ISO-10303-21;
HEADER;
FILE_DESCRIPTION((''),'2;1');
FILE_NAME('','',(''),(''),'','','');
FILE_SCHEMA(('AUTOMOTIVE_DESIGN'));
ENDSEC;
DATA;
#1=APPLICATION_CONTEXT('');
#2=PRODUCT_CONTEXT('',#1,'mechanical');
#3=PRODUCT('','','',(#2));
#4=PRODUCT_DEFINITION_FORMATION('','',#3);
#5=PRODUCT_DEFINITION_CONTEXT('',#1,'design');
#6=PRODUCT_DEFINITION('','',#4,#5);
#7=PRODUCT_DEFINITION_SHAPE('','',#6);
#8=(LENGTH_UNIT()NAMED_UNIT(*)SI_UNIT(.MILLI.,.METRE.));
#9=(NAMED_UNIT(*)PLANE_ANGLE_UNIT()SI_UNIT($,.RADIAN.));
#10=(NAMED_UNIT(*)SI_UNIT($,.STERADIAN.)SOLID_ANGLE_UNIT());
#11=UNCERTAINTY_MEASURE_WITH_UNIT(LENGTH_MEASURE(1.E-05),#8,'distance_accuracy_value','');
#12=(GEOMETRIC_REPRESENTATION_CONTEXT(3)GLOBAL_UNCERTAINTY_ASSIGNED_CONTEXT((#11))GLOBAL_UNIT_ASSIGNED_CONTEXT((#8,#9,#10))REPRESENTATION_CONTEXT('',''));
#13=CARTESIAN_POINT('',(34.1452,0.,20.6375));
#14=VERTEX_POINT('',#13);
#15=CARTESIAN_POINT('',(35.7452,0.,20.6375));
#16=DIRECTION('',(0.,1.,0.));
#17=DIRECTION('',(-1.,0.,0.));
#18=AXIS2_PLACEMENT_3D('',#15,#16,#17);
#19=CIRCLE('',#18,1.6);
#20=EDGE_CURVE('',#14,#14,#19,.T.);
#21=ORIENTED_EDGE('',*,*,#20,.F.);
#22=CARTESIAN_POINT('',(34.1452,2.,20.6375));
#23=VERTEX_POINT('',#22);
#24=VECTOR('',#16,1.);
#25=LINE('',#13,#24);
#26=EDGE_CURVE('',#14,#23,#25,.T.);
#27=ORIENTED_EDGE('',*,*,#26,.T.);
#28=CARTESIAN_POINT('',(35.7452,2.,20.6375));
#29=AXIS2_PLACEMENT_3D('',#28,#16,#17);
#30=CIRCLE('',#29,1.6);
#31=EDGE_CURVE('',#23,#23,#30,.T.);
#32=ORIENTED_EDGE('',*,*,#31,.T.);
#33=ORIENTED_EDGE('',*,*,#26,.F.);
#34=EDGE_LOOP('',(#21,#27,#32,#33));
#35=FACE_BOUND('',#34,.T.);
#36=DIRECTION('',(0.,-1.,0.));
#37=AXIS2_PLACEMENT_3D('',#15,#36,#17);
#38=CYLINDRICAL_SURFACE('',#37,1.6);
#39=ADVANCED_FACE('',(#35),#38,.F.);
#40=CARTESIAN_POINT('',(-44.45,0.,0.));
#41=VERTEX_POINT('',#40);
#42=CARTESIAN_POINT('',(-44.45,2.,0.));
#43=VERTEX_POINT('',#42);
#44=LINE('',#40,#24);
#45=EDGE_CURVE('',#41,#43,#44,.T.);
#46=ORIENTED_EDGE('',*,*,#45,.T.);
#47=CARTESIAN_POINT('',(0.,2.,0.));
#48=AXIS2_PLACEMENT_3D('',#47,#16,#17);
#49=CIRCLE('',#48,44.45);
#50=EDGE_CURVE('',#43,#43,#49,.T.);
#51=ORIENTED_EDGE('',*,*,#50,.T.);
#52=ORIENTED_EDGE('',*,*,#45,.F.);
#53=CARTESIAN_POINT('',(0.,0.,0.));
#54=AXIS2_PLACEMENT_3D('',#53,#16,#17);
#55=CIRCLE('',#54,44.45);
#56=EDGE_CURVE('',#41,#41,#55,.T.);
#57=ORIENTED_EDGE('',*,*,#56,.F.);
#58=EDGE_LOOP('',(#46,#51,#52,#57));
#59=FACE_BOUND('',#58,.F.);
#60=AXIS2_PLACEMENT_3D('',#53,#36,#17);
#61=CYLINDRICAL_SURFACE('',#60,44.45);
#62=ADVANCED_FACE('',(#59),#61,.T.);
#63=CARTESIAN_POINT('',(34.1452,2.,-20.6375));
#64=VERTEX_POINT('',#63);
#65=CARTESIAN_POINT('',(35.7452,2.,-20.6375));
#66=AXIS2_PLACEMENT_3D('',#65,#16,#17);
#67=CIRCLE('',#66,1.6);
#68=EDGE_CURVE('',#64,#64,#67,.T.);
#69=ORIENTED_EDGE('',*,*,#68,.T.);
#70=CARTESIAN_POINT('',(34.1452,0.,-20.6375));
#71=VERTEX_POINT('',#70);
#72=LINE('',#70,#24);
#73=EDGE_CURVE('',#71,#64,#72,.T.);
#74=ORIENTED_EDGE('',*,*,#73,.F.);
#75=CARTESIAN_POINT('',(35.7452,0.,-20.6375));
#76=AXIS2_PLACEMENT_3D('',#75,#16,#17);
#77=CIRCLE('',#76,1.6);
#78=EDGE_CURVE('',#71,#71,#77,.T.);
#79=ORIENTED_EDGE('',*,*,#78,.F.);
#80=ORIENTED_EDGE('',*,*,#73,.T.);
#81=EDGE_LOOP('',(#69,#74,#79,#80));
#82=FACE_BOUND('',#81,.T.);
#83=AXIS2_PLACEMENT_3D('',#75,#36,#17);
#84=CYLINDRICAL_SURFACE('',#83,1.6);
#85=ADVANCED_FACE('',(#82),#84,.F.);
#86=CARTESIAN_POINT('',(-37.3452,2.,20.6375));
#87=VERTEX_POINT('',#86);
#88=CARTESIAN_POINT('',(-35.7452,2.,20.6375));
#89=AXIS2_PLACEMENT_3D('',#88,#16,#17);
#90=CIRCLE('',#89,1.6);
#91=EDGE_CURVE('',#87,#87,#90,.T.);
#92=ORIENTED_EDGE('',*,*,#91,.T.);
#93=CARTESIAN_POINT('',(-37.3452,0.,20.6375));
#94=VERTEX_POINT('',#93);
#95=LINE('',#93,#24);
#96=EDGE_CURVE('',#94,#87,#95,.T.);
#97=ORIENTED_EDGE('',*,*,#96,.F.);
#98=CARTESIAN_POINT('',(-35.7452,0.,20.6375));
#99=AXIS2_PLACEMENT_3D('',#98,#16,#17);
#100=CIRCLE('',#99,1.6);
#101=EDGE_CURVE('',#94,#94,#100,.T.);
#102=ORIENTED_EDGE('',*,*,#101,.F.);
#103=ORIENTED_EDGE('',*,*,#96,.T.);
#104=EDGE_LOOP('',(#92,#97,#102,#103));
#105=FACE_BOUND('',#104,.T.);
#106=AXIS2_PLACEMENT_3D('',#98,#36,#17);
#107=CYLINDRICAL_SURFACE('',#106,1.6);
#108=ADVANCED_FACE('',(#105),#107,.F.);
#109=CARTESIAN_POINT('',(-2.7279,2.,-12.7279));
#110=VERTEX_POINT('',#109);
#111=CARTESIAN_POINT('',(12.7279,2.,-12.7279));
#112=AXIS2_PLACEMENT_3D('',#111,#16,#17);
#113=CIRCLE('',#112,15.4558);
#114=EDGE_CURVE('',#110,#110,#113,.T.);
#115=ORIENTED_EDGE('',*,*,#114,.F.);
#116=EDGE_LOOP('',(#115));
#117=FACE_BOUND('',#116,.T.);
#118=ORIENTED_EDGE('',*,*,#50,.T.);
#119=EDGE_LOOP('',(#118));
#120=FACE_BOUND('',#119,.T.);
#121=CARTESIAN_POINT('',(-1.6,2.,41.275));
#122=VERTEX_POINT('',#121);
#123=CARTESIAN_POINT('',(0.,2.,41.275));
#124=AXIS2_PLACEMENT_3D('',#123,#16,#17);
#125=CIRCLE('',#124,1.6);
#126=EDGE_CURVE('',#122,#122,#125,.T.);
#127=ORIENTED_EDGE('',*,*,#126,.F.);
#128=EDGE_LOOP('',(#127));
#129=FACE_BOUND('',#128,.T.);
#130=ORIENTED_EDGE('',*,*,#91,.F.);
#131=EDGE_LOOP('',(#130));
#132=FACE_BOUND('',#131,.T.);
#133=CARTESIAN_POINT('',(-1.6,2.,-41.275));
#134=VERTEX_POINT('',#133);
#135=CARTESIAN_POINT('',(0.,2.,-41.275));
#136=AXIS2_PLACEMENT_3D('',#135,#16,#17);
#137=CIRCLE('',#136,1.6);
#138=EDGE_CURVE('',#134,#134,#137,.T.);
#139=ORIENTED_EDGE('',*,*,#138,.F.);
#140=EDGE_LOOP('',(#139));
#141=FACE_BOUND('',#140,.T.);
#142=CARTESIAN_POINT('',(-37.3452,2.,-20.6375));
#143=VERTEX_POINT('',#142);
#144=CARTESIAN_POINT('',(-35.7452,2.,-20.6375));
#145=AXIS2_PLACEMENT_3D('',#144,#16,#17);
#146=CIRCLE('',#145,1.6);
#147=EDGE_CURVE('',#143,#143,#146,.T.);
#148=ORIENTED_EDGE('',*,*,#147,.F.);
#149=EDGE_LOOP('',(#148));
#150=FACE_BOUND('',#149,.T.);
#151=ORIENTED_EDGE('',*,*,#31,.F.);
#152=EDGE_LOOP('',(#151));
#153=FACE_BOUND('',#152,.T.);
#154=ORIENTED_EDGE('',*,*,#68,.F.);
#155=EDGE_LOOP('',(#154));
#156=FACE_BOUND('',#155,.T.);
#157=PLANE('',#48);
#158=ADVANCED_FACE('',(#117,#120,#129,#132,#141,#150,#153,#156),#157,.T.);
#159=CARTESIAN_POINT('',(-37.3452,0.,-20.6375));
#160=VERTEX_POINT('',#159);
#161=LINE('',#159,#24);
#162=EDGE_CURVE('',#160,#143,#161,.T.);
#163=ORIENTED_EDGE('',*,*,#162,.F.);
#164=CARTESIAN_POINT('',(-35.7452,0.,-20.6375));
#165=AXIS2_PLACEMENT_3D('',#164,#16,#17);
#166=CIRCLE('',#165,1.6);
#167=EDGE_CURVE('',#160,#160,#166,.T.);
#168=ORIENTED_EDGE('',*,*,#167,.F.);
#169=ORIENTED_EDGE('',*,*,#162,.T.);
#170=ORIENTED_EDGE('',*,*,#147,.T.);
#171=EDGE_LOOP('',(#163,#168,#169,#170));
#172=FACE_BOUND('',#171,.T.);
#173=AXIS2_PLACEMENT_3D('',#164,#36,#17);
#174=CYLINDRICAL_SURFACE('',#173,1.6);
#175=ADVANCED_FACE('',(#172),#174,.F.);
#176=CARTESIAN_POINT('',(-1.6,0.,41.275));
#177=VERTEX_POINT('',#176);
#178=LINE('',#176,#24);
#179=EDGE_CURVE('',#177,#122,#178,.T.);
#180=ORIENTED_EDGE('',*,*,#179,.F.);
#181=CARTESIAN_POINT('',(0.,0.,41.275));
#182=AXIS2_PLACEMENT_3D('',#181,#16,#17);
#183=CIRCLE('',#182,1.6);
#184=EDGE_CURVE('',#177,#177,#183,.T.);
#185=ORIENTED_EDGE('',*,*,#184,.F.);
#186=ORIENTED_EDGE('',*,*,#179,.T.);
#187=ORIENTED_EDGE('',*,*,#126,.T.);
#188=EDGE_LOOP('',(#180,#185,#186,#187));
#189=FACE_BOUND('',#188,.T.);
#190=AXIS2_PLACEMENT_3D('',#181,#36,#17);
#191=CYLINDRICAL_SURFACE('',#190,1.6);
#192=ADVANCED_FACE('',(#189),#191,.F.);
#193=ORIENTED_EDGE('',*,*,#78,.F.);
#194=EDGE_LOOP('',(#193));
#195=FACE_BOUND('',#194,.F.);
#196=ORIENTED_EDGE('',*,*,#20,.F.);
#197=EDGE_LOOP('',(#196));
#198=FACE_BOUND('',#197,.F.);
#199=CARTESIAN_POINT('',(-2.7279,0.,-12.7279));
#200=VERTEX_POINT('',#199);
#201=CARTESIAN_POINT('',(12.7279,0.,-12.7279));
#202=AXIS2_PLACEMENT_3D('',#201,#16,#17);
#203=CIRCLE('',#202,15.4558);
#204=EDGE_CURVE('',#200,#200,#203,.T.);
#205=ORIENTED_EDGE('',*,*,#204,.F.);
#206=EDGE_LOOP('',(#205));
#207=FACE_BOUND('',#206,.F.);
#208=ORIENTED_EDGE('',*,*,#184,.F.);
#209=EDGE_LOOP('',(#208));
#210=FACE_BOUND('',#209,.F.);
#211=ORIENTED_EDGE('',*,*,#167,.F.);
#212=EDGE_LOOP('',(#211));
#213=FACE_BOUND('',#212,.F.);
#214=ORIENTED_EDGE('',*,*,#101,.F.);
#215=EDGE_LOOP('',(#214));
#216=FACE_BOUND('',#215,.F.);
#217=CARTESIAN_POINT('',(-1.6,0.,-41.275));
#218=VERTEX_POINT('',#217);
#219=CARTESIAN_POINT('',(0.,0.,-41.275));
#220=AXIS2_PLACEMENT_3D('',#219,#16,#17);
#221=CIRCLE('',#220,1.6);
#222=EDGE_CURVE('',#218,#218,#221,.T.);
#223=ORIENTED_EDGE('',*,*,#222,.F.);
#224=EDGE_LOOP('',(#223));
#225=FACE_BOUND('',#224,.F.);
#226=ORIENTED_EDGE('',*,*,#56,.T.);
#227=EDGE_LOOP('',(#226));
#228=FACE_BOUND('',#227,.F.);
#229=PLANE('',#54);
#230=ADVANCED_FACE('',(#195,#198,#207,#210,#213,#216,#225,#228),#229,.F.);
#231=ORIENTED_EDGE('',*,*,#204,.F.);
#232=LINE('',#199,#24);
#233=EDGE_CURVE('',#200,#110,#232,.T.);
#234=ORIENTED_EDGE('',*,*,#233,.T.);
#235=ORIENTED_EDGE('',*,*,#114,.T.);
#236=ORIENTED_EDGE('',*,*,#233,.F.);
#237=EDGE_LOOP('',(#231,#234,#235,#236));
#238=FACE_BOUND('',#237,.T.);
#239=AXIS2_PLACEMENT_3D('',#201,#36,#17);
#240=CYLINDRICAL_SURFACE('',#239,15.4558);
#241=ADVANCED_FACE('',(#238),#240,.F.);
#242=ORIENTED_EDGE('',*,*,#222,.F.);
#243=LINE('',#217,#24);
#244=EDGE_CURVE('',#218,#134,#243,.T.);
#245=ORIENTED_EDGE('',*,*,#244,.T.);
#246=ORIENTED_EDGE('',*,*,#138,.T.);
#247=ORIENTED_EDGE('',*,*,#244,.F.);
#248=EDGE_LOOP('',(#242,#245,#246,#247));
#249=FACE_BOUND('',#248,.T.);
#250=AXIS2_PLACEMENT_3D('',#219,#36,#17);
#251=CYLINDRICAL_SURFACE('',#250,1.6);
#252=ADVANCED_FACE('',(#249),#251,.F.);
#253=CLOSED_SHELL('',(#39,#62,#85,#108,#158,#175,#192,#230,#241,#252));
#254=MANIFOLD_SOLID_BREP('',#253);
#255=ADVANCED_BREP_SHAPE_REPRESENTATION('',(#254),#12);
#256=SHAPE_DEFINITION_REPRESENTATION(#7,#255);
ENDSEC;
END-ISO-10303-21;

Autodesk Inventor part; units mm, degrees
ref_plane "YZ Plane" through (0, 0, 0) normal (1, 0, 0) x (0, 1, 0)
ref_plane "XZ Plane" through (0, 0, 0) normal (0, 1, 0) x (-1, 0, 0)
ref_plane "XY Plane" through (0, 0, 0) normal (0, 0, 1) x (1, 0, 0)
sketch "Sketch1" plane through (0, 0, 0) normal (0, 1, 0) x (-1, 0, 0)
  circle A0 centre (0, 0) radius 44.45
  circle A1 centre (0, -41.275) radius 1.6
  circle A2 centre (35.7452, -20.6375) radius 1.6
  circle A3 centre (-35.7452, -20.6375) radius 1.6
  circle A4 centre (0, 41.275) radius 1.6
  circle A5 centre (35.7452, 20.6375) radius 1.6
  circle A6 centre (-35.7452, 20.6375) radius 1.6
  circle A7 centre (-12.7279, -12.7279) radius 15.4558
extrude "Extrusion2" add sketch "Sketch1" along normal blind 2
properties part number "Dremel_Jig_External"
